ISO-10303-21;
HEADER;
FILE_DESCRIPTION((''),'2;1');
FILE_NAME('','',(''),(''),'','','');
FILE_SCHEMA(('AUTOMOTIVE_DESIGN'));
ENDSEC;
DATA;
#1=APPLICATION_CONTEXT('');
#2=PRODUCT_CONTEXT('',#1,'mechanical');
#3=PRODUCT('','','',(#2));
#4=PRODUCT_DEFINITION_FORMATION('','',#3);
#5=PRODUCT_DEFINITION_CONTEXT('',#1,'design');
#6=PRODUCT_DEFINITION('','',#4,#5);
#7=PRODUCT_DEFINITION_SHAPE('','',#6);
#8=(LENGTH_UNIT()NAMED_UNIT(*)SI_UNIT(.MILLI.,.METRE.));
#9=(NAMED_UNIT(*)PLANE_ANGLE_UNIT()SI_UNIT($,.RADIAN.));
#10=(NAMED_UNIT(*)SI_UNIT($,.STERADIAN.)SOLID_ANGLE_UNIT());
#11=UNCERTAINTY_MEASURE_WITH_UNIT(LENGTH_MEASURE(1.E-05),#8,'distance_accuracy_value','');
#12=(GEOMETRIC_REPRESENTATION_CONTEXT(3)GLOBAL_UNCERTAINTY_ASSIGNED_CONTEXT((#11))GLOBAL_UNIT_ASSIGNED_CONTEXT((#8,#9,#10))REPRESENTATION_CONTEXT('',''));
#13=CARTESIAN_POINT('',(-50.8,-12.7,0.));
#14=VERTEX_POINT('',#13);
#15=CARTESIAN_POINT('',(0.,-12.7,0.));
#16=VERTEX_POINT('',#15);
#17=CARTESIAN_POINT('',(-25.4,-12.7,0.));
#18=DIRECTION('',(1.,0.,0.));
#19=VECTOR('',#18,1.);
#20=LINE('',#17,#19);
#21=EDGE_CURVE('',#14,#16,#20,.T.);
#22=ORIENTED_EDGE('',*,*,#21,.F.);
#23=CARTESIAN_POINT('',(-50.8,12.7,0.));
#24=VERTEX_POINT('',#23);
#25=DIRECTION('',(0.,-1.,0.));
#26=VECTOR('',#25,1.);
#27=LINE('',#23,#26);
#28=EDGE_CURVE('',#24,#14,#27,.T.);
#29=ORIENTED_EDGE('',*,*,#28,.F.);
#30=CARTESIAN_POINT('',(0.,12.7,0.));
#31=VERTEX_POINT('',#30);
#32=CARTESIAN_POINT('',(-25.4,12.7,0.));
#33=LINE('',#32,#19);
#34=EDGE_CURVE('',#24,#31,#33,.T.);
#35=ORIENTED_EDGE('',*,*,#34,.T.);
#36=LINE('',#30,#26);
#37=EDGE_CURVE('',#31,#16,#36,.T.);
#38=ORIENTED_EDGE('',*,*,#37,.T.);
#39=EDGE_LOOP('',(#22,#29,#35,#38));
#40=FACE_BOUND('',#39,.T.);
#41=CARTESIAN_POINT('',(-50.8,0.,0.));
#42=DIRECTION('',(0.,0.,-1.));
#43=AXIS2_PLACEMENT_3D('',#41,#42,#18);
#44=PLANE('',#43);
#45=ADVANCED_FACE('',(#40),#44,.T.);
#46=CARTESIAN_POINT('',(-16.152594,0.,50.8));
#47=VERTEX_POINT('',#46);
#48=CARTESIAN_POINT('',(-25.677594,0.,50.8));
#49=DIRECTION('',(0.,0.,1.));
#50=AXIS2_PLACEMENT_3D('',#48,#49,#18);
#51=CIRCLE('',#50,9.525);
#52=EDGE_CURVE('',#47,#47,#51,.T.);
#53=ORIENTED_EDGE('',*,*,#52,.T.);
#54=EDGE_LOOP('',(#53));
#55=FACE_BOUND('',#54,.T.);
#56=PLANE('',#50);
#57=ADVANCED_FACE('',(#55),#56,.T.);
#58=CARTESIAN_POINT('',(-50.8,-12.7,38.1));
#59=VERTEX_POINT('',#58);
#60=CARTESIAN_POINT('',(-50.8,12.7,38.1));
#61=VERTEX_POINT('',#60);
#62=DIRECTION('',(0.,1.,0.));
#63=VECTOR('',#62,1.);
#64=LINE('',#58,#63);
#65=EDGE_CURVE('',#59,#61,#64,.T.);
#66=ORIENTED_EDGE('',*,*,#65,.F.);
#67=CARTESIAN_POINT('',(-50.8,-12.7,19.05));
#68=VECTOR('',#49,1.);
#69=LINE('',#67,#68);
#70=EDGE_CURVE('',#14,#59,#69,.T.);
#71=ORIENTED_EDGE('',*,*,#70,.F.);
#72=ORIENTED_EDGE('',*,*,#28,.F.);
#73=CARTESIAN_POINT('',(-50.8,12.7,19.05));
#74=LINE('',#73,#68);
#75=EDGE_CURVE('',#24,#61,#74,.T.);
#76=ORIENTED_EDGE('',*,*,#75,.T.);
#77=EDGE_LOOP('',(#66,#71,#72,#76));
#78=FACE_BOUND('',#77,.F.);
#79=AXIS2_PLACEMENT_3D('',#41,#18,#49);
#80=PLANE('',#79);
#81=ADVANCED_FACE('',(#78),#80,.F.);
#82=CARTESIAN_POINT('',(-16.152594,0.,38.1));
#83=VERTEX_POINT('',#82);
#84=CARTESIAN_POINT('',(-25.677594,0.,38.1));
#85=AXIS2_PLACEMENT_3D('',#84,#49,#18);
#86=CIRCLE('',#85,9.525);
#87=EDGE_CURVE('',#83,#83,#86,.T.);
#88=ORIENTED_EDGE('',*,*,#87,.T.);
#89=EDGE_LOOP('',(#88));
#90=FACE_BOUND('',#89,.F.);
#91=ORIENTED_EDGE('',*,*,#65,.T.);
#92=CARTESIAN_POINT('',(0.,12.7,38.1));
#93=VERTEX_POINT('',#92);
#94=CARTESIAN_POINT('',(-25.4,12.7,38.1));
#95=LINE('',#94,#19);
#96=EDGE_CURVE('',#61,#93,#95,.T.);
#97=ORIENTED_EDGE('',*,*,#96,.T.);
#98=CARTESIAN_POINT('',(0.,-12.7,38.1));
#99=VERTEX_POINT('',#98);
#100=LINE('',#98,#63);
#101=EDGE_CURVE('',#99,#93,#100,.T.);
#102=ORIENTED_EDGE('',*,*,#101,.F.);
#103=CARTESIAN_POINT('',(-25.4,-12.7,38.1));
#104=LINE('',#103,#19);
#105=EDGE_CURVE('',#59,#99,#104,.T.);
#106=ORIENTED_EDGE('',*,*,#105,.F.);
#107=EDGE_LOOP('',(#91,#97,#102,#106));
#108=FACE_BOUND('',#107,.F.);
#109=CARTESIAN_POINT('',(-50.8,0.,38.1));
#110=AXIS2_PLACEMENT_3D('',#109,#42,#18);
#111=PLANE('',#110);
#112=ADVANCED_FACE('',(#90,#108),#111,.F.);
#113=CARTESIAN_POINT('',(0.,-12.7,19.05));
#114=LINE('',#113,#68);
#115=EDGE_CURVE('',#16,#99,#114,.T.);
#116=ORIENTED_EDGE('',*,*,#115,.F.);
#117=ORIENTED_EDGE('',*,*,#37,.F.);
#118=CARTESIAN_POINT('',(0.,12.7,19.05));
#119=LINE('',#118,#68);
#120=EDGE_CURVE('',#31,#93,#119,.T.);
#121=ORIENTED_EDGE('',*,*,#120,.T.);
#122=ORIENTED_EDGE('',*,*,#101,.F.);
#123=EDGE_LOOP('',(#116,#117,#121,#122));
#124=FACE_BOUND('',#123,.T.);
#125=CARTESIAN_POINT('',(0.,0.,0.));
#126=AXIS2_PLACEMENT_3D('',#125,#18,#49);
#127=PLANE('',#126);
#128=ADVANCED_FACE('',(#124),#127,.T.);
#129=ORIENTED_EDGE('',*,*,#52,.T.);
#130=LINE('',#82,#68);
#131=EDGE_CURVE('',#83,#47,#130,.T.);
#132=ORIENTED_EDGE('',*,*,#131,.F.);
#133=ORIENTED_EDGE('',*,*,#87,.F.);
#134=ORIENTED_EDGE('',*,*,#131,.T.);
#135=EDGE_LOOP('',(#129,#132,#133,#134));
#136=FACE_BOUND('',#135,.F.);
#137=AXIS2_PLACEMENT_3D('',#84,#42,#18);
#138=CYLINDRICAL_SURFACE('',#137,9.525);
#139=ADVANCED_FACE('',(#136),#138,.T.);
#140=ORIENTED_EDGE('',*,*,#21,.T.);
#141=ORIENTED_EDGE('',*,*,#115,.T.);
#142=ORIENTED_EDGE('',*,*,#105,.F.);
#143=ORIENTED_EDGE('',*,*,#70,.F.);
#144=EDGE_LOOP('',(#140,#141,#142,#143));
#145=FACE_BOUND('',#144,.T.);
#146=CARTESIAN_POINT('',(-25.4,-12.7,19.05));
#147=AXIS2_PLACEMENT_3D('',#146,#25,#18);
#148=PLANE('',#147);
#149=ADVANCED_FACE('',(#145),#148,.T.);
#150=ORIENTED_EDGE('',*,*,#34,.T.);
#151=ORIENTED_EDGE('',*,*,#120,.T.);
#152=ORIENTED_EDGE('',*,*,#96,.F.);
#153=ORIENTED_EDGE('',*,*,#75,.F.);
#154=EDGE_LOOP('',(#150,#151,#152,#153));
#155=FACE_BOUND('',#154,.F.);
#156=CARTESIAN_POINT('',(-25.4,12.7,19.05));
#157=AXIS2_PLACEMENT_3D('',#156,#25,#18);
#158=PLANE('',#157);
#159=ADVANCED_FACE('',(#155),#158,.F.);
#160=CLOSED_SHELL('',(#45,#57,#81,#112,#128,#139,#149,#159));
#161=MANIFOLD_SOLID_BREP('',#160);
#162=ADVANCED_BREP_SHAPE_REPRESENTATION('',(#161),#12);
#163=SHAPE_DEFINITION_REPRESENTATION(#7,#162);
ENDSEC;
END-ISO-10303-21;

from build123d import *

# Parameters (mm, degrees)
F0_W     = 50.8
F0_H     = 38.1
F1_DEPTH = 12.7
F2_R     = 9.525
F3_DEPTH = 12.7


with BuildPart() as f1:
    # F0 (on Front) → F1 (new body, symmetric)
    with BuildSketch(Plane.XZ):
        with Locations((-25.4, 19.05)):
            Rectangle(F0_W, F0_H)
    extrude(amount=F1_DEPTH, both=True)

    # F2 (on face) → F3 (join)
    with BuildSketch(Plane.XY.offset(38.1)):
        with Locations((-25.677594, 0)):
            Circle(F2_R)
    extrude(amount=F3_DEPTH)


solid = f1.part
